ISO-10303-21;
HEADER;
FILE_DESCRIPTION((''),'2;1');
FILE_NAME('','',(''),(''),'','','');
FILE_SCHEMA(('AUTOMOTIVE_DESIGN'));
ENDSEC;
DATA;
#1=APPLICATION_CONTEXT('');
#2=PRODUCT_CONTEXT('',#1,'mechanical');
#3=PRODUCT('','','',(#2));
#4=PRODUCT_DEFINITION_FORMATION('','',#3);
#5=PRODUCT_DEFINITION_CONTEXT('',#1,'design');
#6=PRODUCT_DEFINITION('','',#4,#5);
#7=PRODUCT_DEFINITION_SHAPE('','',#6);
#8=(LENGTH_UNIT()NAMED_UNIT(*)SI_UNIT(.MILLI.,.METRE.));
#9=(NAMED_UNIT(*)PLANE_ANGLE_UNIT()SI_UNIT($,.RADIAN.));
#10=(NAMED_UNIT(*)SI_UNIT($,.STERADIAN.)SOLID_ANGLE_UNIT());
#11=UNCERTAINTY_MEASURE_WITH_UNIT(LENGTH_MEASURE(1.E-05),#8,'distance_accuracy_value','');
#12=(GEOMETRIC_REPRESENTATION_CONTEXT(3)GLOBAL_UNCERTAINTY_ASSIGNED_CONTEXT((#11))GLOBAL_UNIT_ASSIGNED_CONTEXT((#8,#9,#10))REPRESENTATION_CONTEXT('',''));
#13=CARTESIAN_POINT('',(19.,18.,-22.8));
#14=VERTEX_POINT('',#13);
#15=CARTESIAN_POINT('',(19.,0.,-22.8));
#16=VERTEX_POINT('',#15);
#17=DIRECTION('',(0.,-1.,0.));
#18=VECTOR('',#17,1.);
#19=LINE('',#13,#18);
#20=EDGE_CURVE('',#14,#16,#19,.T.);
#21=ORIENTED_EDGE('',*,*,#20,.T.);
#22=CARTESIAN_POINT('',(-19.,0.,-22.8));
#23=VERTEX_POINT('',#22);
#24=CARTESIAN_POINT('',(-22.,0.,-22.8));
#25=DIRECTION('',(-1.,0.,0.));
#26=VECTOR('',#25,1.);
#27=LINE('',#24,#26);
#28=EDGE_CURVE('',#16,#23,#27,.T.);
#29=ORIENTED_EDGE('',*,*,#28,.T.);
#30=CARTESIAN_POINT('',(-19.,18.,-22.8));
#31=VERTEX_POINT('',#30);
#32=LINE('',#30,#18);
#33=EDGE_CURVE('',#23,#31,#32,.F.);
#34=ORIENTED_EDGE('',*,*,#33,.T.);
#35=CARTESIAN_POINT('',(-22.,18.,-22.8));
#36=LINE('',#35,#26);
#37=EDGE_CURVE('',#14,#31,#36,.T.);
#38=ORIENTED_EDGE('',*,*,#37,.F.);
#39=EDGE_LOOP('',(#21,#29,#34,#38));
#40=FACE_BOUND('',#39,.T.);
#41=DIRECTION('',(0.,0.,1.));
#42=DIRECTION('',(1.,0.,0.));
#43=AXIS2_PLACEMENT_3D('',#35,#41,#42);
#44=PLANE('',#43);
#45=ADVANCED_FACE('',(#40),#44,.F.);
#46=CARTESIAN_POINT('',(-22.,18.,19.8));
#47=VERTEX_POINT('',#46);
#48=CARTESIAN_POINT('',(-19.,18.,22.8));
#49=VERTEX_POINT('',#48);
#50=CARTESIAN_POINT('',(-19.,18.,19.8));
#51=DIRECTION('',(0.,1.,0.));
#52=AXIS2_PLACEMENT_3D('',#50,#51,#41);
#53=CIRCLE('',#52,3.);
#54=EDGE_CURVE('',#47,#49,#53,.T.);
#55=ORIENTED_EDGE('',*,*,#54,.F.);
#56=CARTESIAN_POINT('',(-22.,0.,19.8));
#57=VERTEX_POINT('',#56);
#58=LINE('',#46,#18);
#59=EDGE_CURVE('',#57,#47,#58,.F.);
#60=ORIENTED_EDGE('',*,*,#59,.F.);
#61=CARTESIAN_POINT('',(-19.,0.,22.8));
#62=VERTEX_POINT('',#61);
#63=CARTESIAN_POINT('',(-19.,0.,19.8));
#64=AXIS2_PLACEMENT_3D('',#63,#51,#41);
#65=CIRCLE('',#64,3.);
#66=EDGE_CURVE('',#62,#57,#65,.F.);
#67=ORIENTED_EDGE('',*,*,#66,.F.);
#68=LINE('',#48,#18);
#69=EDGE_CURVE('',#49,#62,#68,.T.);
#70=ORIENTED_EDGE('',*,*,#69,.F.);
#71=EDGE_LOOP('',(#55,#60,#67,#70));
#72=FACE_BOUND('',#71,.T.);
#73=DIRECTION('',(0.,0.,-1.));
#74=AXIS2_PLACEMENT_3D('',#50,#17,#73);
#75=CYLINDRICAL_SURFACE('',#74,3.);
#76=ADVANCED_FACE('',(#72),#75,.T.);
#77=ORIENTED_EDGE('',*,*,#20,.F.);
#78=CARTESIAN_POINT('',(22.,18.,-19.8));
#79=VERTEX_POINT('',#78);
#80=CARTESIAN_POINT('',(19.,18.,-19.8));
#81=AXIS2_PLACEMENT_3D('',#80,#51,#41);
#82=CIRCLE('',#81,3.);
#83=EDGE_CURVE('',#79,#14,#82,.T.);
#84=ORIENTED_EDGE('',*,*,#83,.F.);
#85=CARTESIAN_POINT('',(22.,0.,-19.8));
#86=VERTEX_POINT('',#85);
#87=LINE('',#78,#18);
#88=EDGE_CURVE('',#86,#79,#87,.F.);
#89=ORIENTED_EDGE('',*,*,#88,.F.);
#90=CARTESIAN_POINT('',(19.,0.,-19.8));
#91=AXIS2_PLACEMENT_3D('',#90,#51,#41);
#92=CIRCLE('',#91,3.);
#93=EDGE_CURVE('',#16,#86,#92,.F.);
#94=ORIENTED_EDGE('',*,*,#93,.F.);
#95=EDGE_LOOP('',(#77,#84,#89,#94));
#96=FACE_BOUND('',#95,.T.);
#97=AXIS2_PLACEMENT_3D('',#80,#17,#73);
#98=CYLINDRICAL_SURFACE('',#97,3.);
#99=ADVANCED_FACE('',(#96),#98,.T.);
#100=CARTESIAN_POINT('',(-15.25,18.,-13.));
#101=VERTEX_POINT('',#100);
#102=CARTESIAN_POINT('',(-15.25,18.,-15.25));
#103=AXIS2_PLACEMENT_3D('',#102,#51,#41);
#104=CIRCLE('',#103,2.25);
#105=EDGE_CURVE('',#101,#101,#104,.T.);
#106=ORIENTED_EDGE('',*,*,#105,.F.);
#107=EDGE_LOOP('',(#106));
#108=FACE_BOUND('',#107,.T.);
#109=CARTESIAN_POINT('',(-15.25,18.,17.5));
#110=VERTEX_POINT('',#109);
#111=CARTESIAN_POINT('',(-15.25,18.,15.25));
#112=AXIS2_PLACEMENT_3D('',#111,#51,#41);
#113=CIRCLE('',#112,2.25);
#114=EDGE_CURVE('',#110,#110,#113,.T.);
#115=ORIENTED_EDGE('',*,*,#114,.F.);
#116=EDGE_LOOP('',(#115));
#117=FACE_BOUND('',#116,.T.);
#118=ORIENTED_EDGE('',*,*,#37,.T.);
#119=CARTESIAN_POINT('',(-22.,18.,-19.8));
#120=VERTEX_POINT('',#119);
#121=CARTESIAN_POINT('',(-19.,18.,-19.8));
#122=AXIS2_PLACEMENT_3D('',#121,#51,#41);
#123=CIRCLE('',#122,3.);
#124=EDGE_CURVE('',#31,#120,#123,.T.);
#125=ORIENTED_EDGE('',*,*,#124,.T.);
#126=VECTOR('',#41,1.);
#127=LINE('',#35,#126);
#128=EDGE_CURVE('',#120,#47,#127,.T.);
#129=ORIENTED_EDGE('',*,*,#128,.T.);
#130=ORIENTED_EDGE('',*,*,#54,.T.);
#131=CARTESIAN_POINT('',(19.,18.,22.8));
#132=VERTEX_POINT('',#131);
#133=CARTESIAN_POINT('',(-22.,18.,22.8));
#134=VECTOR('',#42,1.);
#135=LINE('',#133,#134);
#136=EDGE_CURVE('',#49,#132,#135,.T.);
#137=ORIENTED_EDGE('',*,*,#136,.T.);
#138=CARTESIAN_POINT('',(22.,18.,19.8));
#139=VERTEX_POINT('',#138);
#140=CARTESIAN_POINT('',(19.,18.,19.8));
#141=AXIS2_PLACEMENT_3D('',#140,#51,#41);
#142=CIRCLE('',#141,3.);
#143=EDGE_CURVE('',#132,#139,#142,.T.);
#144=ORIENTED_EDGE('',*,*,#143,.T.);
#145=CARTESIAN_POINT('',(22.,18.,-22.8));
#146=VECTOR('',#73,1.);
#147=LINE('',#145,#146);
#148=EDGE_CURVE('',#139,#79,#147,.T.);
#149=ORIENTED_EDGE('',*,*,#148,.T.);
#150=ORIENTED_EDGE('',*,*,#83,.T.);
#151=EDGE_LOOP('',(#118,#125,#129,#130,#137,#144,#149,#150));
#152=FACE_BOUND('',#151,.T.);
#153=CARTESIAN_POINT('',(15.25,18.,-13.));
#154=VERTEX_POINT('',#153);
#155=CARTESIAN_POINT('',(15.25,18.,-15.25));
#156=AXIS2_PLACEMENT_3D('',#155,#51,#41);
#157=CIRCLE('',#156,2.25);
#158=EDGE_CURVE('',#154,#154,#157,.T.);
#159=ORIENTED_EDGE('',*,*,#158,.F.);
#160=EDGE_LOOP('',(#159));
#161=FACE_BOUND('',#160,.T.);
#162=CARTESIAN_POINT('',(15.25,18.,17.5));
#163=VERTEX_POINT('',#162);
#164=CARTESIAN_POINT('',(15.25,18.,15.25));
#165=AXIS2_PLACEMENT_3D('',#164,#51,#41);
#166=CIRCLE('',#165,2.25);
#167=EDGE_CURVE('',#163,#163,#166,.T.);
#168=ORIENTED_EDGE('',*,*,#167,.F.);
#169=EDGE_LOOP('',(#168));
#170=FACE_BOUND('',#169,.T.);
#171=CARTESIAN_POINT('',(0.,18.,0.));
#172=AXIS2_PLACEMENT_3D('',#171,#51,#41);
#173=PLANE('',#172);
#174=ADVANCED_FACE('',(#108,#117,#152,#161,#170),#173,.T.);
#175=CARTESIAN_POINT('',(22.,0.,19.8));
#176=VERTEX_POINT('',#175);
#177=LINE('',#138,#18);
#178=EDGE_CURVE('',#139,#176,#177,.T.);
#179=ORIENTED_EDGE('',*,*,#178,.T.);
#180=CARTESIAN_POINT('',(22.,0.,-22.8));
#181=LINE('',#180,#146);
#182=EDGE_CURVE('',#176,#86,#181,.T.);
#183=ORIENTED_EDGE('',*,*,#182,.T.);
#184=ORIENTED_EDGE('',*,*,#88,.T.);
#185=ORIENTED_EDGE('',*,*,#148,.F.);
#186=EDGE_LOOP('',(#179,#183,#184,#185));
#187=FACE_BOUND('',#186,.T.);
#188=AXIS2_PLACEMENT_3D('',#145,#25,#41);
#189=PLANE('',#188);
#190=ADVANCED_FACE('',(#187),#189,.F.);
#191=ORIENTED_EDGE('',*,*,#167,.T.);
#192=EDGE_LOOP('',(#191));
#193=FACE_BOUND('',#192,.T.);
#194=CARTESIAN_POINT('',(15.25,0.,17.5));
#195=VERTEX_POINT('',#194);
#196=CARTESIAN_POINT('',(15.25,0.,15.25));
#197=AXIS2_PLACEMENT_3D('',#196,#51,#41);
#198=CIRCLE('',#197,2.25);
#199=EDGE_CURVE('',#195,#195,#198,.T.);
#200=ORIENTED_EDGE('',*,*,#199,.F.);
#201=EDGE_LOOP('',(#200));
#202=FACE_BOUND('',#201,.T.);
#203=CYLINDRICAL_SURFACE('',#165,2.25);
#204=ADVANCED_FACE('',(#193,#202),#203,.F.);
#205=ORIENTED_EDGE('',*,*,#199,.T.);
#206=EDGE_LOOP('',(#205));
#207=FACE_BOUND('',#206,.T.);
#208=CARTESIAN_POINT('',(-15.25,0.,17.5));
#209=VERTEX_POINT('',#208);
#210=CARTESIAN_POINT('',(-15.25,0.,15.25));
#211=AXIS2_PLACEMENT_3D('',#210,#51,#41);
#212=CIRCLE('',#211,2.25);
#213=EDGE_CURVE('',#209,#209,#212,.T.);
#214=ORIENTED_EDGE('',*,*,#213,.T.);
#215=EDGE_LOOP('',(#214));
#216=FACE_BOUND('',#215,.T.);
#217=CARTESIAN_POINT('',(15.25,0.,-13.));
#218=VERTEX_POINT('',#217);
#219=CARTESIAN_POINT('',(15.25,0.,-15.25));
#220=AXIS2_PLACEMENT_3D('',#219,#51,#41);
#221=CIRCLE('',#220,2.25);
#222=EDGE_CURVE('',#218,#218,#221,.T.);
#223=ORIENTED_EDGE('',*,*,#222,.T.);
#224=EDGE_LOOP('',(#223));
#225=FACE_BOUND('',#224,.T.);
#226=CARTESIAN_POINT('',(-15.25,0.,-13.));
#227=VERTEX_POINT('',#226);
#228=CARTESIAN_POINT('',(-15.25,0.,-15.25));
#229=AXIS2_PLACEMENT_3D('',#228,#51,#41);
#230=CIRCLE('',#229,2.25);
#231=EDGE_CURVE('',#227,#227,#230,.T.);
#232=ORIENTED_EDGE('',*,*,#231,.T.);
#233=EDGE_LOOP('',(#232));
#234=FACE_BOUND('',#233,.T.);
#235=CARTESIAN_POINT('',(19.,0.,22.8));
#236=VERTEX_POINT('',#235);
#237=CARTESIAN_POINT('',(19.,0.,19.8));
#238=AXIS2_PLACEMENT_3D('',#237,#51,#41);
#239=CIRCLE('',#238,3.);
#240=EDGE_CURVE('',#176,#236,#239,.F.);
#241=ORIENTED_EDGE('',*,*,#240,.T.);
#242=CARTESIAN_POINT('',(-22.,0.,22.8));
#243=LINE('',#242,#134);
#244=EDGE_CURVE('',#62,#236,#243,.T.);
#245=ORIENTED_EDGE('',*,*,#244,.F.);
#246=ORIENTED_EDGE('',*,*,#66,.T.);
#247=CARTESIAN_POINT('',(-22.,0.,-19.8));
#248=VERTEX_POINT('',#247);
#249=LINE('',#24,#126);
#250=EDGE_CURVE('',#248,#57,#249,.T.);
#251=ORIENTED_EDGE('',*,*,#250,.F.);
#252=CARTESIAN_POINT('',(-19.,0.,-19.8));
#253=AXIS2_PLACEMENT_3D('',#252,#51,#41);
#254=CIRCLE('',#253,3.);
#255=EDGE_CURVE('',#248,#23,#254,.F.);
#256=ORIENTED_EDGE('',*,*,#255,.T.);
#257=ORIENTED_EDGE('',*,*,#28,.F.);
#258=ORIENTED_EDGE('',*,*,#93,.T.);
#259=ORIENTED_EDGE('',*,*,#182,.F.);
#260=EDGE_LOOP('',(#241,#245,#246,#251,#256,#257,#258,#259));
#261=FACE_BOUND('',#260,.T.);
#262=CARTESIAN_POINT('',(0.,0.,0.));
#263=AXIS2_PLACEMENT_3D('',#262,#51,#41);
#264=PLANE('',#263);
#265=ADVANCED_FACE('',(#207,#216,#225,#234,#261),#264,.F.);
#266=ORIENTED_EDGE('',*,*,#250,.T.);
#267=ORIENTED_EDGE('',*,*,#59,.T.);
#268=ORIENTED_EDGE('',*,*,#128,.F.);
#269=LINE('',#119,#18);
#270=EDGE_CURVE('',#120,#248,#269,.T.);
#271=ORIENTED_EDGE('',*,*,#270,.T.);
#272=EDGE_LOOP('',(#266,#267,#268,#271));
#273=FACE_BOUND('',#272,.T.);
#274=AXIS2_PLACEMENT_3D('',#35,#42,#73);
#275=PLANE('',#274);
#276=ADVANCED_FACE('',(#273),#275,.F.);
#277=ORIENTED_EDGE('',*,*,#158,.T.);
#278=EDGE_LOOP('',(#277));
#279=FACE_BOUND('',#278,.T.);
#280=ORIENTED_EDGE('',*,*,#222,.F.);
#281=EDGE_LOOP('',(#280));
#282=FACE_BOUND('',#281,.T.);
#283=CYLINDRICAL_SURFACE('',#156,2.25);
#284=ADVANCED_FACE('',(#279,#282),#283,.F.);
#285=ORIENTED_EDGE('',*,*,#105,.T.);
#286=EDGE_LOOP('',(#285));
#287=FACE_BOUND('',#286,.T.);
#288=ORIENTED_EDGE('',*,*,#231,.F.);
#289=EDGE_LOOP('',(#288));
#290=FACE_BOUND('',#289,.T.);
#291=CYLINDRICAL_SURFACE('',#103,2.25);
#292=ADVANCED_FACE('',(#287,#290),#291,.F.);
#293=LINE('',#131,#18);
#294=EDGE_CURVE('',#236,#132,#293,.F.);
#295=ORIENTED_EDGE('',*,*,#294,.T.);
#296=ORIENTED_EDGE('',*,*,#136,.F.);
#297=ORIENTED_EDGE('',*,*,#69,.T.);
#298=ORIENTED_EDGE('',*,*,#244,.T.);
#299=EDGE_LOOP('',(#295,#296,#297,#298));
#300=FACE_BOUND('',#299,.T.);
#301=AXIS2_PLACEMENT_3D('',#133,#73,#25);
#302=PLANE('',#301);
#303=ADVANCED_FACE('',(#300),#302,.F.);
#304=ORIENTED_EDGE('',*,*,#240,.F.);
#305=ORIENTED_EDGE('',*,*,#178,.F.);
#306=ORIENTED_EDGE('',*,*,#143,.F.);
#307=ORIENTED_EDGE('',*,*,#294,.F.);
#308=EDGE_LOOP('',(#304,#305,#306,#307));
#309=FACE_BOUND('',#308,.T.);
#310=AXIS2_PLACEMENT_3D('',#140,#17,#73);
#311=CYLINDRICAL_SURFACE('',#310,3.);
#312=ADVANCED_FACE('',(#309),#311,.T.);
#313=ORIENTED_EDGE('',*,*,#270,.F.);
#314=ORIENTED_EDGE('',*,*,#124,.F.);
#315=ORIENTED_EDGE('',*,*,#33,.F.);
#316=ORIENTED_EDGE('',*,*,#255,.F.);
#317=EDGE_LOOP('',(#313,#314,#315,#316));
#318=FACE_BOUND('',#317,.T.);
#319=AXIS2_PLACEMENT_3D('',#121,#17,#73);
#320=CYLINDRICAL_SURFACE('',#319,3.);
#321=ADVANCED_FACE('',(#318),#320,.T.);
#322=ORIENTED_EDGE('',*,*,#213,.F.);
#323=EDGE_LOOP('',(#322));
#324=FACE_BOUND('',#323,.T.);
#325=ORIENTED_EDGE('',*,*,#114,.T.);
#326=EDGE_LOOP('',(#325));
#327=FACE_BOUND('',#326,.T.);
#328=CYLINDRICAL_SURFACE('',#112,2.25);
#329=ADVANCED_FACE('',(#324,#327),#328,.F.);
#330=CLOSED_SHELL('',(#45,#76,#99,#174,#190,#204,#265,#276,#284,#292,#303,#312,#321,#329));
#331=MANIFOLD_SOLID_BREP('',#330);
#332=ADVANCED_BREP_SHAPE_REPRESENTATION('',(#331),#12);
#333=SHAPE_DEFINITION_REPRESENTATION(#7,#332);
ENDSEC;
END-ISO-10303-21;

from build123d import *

# Parameters (mm, degrees)
SKETCH1_W            = 44
SKETCH1_H            = 45.6
BOSS_EXTRUDE1_DEPTH  = 18
FILLET1_R            = 3
M4_CLEARANCE_HOLE1_D = 4.5


with BuildPart() as part:
    # Sketch1 → Boss-Extrude1 (new body)
    with BuildSketch(Plane(origin=(0, 0, 0), x_dir=(1, 0, 0), z_dir=(0, 1, 0))):
        Rectangle(SKETCH1_W, SKETCH1_H)
    extrude(amount=BOSS_EXTRUDE1_DEPTH)

    # Fillet1
    fillet1_edges = [part.edges().sort_by_distance(p)[0] for p in [
        (22, 9, 22.8),
        (-22, 9, 22.8),
        (-22, 9, -22.8),
        (22, 9, -22.8),
    ]]
    fillet(fillet1_edges, radius=FILLET1_R)

    # M4 Clearance Hole1 (through all)
    with Locations(Plane(origin=(0, 18, 0), x_dir=(1, 0, 0), z_dir=(0, 1, 0))):
        with Locations((15.25, -15.25), (-15.25, 15.25), (-15.25, -15.25), (15.25, 15.25)):
            Hole(M4_CLEARANCE_HOLE1_D / 2)


solid = part.part
